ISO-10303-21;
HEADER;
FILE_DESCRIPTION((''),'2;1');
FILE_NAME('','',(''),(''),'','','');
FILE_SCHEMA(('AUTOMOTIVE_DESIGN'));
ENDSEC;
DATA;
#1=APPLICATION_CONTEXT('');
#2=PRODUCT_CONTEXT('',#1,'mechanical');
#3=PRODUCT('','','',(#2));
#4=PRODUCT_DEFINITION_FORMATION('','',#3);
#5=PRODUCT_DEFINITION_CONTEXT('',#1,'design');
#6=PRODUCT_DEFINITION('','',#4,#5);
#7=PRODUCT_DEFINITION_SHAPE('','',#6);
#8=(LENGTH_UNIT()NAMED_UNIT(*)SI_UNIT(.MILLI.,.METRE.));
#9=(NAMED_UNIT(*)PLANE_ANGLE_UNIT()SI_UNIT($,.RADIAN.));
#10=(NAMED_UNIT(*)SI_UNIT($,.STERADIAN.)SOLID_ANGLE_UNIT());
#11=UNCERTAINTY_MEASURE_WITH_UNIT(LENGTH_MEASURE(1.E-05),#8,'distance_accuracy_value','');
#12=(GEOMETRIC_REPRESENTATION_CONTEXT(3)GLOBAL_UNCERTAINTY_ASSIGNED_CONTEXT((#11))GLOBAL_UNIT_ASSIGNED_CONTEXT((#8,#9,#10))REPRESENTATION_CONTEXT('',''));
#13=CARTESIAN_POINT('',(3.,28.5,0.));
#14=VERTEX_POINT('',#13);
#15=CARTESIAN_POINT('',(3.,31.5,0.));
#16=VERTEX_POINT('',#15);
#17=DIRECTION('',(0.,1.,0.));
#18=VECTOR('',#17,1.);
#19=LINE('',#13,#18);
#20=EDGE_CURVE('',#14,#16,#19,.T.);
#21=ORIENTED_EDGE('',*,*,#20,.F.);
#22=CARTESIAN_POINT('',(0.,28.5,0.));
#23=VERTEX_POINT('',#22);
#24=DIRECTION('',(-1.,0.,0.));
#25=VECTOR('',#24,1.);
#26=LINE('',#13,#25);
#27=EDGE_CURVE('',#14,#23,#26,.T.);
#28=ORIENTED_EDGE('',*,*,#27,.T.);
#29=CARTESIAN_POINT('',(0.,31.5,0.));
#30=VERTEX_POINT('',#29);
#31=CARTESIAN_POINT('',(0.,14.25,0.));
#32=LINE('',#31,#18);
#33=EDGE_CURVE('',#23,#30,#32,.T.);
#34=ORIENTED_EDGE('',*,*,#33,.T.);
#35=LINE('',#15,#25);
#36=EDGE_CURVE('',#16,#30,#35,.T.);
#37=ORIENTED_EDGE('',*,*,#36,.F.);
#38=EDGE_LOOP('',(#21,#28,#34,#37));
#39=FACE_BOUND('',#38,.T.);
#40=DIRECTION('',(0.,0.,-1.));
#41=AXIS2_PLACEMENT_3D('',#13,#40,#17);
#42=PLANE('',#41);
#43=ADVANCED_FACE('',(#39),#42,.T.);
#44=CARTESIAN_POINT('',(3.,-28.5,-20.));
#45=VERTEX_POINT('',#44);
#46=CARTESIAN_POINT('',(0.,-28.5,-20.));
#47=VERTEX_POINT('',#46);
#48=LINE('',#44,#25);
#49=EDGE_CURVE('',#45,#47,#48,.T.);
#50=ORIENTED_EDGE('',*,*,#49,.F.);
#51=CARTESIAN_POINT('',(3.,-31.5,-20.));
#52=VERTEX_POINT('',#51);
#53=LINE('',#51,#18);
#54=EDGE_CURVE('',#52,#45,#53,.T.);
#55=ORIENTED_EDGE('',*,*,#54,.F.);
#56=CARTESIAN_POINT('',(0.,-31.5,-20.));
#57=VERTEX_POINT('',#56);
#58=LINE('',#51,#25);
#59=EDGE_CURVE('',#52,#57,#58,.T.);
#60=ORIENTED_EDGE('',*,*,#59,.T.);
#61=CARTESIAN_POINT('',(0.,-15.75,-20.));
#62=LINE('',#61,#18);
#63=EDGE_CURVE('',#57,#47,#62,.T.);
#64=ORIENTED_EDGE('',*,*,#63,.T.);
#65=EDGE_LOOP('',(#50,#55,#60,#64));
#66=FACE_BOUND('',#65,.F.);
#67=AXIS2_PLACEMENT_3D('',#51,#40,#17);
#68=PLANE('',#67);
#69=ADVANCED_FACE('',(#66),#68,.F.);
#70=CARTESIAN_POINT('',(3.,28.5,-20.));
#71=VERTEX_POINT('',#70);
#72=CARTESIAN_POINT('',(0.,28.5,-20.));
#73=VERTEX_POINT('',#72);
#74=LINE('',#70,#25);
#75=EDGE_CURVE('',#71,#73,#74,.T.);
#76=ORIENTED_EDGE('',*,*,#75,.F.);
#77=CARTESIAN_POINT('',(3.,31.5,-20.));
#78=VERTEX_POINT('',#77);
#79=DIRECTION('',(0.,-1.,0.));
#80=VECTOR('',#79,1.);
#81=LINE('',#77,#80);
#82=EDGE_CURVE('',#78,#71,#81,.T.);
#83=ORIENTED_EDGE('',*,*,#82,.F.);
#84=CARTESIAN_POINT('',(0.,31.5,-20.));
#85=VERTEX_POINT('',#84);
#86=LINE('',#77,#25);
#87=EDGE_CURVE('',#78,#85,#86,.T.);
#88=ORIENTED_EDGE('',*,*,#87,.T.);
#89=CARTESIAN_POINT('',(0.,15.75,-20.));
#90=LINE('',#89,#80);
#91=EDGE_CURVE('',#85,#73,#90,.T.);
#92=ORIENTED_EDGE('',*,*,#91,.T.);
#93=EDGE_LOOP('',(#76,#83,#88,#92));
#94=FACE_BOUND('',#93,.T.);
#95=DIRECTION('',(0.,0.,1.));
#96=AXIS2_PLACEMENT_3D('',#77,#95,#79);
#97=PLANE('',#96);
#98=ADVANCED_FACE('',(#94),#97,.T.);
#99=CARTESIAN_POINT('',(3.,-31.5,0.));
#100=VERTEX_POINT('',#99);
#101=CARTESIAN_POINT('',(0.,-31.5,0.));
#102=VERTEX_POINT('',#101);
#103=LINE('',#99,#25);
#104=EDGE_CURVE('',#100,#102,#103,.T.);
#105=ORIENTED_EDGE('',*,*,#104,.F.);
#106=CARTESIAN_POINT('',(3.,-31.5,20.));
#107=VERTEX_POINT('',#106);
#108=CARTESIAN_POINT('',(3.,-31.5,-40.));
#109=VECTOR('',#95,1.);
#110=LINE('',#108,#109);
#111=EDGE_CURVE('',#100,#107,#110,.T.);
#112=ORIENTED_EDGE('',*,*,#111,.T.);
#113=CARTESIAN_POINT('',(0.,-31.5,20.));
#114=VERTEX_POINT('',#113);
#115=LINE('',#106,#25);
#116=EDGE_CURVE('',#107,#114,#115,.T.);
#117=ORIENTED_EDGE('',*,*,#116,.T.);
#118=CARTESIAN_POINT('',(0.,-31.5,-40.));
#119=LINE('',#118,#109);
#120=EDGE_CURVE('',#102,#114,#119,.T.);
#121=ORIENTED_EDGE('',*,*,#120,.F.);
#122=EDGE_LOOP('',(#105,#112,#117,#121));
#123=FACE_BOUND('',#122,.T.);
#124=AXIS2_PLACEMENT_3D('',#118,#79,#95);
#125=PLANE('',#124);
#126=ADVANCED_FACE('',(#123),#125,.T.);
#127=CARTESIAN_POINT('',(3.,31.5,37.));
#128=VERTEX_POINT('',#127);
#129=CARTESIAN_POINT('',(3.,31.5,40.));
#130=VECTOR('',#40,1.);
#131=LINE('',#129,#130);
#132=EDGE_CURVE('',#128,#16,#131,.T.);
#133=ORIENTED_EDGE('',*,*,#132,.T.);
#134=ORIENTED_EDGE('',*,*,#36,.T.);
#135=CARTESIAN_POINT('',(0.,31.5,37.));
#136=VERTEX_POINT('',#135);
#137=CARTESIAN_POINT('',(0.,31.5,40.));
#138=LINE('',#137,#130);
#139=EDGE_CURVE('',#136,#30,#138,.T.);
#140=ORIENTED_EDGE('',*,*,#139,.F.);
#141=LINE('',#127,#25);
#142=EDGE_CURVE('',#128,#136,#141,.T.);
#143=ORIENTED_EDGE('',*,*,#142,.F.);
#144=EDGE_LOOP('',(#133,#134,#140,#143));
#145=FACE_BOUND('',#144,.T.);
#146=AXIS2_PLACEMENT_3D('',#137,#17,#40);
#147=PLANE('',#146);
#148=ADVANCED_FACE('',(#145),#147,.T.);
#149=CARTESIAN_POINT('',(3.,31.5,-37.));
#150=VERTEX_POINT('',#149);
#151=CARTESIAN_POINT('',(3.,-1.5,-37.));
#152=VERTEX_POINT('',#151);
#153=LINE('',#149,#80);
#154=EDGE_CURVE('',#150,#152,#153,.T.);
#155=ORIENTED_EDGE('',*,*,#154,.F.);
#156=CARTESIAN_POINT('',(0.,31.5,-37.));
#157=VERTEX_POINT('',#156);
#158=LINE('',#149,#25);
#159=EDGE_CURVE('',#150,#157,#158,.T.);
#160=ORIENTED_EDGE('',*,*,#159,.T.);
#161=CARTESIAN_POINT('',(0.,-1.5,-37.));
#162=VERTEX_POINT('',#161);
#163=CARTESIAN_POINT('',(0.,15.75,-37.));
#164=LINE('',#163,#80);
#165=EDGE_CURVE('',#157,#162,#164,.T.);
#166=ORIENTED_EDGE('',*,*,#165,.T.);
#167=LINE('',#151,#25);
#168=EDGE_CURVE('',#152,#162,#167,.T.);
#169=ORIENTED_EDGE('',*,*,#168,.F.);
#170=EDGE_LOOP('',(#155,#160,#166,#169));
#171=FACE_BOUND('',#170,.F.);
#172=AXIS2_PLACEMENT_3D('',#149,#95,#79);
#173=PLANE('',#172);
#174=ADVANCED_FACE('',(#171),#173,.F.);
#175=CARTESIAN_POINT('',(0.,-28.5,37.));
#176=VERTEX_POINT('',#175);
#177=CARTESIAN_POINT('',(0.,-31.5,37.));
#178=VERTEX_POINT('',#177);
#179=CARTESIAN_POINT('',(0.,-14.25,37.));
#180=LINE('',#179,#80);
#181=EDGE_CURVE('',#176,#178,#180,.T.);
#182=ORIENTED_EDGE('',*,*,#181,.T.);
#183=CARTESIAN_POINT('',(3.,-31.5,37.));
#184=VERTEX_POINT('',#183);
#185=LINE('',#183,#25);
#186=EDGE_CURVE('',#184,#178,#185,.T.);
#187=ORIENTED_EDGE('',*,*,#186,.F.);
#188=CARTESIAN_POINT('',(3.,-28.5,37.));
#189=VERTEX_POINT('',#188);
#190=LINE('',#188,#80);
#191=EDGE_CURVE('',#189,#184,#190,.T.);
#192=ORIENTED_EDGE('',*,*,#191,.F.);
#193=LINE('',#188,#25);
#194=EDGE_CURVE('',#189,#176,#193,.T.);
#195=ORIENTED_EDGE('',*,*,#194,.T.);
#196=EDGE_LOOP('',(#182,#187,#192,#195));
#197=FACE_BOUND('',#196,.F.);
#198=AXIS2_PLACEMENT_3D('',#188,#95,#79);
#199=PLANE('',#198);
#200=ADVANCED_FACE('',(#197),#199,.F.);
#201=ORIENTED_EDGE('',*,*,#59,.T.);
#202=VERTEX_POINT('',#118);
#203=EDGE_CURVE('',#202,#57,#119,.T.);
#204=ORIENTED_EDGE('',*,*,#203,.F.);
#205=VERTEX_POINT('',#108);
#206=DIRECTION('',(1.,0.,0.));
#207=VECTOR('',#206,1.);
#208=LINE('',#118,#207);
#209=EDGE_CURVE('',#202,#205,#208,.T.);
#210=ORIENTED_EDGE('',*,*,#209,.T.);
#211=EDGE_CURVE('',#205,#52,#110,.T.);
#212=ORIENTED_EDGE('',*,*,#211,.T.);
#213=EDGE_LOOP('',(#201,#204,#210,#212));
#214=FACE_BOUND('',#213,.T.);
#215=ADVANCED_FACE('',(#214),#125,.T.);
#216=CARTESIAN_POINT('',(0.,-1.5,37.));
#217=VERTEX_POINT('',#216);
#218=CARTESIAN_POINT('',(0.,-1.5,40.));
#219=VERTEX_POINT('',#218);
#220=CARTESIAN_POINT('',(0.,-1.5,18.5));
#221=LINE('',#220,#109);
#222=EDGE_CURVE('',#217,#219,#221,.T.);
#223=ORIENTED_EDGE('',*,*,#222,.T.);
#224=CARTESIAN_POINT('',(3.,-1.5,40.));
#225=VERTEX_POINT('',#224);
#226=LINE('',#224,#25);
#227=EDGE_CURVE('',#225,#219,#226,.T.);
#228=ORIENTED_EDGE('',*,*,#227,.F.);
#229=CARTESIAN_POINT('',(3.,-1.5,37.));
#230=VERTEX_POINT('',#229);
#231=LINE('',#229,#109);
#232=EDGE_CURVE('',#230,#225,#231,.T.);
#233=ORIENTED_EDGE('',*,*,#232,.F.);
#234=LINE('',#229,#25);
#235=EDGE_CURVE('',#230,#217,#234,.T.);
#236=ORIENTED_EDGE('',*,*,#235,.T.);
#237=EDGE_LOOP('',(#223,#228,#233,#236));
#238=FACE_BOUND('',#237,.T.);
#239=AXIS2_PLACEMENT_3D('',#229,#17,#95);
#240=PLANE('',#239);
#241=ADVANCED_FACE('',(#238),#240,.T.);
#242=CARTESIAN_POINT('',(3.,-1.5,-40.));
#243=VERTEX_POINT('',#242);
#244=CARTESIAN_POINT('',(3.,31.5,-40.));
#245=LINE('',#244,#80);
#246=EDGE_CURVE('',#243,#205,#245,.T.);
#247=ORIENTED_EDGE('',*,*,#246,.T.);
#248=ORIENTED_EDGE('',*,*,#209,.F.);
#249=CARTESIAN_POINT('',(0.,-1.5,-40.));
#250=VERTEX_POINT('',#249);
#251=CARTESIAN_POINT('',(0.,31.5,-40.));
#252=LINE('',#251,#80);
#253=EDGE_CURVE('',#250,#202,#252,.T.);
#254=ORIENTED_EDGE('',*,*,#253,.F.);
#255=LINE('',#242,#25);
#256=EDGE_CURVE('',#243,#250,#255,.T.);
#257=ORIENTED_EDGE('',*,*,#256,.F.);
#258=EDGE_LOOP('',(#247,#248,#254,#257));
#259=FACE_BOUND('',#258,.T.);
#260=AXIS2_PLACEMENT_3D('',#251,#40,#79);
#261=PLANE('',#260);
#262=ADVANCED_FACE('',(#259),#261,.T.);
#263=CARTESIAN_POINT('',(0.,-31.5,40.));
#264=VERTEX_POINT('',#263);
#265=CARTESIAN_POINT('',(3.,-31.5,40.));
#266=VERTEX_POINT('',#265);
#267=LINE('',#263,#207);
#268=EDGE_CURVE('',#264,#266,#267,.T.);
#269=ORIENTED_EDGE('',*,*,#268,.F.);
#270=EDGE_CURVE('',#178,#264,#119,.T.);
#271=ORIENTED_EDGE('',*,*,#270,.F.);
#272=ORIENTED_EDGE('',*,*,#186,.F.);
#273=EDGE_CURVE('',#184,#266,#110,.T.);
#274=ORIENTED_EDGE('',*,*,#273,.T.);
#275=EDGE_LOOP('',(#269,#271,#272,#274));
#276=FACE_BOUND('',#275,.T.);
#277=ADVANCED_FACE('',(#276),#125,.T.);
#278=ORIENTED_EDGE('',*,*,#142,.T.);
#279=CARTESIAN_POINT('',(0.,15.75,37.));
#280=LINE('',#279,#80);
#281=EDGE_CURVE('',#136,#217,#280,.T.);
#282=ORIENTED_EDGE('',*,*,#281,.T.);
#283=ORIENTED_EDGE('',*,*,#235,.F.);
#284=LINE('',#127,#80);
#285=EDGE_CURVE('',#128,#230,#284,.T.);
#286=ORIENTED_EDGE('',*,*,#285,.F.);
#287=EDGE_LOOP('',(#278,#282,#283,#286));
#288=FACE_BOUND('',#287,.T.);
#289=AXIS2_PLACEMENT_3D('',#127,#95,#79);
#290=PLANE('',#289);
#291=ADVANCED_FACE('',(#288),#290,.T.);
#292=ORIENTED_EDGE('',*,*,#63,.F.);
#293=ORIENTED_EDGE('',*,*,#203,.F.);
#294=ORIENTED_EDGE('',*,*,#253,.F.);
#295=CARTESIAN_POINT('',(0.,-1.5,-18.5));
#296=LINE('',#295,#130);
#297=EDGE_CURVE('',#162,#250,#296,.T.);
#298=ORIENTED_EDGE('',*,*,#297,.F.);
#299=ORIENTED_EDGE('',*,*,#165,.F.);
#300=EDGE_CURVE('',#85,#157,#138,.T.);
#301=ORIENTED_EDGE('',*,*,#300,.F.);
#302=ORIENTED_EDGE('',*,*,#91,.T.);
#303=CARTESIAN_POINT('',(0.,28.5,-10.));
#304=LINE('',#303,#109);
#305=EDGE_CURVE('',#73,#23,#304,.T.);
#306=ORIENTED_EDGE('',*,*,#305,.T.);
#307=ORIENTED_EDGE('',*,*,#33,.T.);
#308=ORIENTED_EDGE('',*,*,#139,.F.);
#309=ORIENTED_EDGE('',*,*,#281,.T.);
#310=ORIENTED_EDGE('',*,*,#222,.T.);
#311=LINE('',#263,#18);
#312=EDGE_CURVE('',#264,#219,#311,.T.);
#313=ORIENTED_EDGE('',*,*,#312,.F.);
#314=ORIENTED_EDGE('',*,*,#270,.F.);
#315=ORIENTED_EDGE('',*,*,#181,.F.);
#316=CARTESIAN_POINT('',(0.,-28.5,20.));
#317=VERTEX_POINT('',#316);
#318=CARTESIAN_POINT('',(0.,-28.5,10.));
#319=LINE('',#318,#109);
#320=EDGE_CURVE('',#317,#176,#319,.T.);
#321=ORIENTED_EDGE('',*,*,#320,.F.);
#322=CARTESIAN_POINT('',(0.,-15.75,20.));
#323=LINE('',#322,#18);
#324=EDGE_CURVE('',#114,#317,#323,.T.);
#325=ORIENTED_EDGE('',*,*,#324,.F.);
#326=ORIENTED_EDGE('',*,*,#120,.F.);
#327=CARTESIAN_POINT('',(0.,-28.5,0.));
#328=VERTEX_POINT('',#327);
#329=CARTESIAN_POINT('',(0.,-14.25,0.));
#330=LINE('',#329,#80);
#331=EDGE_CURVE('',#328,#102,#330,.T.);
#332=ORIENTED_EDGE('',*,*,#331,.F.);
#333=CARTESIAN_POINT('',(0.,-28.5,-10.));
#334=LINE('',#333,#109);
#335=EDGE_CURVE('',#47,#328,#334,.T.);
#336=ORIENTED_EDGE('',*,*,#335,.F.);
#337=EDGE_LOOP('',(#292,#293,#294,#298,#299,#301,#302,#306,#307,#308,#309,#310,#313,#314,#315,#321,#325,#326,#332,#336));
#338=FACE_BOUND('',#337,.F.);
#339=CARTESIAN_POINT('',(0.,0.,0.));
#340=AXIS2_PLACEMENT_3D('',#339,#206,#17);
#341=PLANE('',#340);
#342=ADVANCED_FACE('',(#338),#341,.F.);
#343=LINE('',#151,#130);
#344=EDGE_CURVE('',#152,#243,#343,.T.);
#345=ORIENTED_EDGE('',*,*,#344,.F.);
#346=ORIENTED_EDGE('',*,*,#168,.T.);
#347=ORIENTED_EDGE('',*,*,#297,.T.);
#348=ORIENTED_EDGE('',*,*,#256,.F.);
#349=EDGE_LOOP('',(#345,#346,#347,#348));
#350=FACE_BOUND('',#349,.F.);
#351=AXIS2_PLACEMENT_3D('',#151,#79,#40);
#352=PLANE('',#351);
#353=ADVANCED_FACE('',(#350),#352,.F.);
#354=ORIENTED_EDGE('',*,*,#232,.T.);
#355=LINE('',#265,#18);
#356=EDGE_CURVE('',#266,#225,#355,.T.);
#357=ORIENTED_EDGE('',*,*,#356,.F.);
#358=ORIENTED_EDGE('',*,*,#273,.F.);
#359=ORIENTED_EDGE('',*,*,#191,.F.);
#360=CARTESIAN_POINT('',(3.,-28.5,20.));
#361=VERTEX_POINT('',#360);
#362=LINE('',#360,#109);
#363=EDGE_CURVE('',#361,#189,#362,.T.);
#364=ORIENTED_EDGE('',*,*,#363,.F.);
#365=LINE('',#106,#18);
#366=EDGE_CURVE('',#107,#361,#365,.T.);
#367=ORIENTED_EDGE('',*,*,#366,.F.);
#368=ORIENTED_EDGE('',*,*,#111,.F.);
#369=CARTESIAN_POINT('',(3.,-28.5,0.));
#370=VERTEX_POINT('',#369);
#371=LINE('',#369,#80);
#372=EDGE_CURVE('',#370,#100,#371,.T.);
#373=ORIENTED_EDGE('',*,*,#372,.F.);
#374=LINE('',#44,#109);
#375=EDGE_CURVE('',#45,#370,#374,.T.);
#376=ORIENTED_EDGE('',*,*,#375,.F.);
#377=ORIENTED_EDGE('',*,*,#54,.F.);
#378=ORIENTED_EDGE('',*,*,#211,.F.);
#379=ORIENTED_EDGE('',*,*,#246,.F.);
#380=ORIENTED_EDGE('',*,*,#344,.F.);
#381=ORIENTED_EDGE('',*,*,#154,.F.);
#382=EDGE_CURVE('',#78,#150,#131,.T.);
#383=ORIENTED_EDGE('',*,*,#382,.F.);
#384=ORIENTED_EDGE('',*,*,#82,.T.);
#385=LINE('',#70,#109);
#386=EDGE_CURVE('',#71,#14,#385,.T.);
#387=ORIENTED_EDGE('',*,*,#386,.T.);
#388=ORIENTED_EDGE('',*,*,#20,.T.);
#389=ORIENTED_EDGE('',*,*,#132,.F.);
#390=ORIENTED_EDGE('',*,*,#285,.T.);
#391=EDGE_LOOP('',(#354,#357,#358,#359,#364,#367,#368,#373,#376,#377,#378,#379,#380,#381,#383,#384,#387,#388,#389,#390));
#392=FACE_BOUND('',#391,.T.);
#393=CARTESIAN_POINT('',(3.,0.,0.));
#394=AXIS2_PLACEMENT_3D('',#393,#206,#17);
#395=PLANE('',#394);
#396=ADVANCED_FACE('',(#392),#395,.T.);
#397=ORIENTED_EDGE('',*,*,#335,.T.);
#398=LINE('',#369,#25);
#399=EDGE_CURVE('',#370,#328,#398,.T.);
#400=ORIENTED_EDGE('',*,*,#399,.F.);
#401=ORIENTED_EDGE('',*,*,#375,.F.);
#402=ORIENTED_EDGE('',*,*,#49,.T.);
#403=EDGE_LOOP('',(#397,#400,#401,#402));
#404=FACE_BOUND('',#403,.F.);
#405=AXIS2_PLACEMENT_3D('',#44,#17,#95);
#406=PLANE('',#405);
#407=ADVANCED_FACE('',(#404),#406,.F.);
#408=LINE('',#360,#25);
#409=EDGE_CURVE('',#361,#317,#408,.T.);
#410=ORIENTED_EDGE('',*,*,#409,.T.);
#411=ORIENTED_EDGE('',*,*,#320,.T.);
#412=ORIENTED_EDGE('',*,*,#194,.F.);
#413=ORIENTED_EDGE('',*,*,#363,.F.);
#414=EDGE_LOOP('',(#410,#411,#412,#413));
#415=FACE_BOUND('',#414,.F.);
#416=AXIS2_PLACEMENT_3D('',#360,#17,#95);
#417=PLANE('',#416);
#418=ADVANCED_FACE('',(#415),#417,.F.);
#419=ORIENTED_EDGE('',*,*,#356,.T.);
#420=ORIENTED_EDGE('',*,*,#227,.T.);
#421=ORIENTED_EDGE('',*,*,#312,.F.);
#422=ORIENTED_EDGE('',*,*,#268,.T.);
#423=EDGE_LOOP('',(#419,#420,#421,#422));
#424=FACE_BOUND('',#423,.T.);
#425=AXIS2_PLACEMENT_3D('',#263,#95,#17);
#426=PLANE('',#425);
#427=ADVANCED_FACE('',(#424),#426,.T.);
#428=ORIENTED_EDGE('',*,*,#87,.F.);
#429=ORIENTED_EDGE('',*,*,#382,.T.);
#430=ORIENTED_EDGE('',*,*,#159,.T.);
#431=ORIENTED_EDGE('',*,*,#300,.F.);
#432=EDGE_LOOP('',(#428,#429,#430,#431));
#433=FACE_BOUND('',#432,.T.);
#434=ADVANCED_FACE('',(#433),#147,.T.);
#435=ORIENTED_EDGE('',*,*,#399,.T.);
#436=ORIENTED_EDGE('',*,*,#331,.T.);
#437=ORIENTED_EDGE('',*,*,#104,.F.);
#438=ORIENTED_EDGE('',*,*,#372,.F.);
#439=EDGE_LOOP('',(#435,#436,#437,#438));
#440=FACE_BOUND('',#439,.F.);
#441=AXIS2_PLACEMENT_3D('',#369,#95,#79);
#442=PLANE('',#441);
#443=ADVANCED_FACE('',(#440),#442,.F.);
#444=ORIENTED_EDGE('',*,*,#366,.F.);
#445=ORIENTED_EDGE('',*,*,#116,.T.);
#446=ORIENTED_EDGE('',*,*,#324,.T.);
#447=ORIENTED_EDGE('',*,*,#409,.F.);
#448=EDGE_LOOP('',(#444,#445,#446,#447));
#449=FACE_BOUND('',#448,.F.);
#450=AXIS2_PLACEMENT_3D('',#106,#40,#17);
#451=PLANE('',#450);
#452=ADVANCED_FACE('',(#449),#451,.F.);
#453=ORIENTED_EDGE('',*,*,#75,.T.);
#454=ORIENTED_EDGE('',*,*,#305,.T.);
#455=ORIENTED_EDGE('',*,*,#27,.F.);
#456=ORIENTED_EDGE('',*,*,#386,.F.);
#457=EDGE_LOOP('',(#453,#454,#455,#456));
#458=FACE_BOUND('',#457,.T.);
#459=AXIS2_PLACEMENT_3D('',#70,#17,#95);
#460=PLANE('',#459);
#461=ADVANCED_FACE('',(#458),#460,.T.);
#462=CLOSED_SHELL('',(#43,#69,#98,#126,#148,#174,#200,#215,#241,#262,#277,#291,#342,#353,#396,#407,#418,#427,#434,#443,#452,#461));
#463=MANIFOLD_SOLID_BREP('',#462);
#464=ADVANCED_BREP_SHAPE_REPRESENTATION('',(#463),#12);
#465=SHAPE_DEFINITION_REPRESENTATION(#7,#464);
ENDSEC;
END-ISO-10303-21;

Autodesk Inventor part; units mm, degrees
ref_plane "YZ Plane" through (0, 0, 0) normal (1, 0, 0) x (0, 1, 0)
ref_plane "XZ Plane" through (0, 0, 0) normal (0, 1, 0) x (-1, 0, 0)
ref_plane "XY Plane" through (0, 0, 0) normal (0, 0, 1) x (1, 0, 0)
sketch "Sketch1" plane through (0, 0, 0) normal (1, 0, 0) x (0, 1, 0)
  line L0 (-31.5, 40) -> (31.5, 40)
  line L1 (31.5, 40) -> (31.5, -40)
  line L2 (31.5, -40) -> (-31.5, -40)
  line L3 (-31.5, -40) -> (-31.5, 40)
  line L4 (-31.5, 40) -> (31.5, -40) construction
  line L5 (31.5, 40) -> (-31.5, -40) construction
  point P0 (0, 0)
  dimension "d0" = 63
  dimension "d1" = 80
extrude "Extrusion1" add sketch "Sketch1" along normal blind 3
sketch "Sketch2" plane through (3, 0, 0) normal (1, 0, 0) x (0, 0, -1)
  line L0 (40, -31.5) -> (40, 31.5) projected
  line L1 (40, 31.5) -> (37, 31.5)
  line L2 (37, 31.5) -> (37, -1.5)
  line L3 (37, -1.5) -> (40, -1.5)
  line L4 (40, -1.5) -> (40, 31.5)
  line L5 (-40, -31.5) -> (40, -31.5) projected
  line L6 (0, -31.5) -> (20, -31.5)
  line L7 (20, -31.5) -> (20, -28.5)
  line L8 (20, -28.5) -> (0, -28.5)
  line L9 (0, -28.5) -> (0, -31.5)
  line L10 (-37, -31.5) -> (-20, -31.5)
  line L11 (-20, -31.5) -> (-20, -28.5)
  line L12 (-20, -28.5) -> (-37, -28.5)
  line L13 (-37, -28.5) -> (-37, -31.5)
  point P0 (0, 0)
  dimension "d4" = 3
  dimension "d5" = 30
  dimension "d6" = 20
  dimension "d7" = 3
  dimension "d8" = 20
  dimension "d9" = 17
  dimension "d10" = 3
  dimension "d11" = 20
extrude "Extrusion2" cut sketch "Sketch2" against normal through all
sketch "Sketch3" plane through (3, 0, 0) normal (1, 0, 0) x (0, 0, -1)
  line L0 (-40, 31.5) -> (-40, -31.5) projected
  line L1 (-40, 31.5) -> (-37, 31.5)
  line L2 (-37, 31.5) -> (-37, -1.5)
  line L3 (-37, -1.5) -> (-40, -1.5)
  line L4 (-40, -1.5) -> (-40, 31.5)
  point P0 (0, 0)
  dimension "d14" = 3
  dimension "d15" = 33
extrude "Extrusion3" cut sketch "Sketch3" against normal through all
sketch "Sketch4" plane through (3, 0, 0) normal (1, 0, 0) x (0, 0, -1)
  line L0 (37, 31.5) -> (-37, 31.5) projected
  line L1 (0, 31.5) -> (20, 31.5)
  line L2 (20, 31.5) -> (20, 28.5)
  line L3 (20, 28.5) -> (0, 28.5)
  line L4 (0, 28.5) -> (0, 31.5)
  line L5 (37, -1.5) -> (37, 31.5) projected
  point P0 (0, 0)
  dimension "d18" = 20
  dimension "d19" = 3
  dimension "d20" = 17
extrude "Extrusion4" cut sketch "Sketch4" against normal through all
properties part number "side"
